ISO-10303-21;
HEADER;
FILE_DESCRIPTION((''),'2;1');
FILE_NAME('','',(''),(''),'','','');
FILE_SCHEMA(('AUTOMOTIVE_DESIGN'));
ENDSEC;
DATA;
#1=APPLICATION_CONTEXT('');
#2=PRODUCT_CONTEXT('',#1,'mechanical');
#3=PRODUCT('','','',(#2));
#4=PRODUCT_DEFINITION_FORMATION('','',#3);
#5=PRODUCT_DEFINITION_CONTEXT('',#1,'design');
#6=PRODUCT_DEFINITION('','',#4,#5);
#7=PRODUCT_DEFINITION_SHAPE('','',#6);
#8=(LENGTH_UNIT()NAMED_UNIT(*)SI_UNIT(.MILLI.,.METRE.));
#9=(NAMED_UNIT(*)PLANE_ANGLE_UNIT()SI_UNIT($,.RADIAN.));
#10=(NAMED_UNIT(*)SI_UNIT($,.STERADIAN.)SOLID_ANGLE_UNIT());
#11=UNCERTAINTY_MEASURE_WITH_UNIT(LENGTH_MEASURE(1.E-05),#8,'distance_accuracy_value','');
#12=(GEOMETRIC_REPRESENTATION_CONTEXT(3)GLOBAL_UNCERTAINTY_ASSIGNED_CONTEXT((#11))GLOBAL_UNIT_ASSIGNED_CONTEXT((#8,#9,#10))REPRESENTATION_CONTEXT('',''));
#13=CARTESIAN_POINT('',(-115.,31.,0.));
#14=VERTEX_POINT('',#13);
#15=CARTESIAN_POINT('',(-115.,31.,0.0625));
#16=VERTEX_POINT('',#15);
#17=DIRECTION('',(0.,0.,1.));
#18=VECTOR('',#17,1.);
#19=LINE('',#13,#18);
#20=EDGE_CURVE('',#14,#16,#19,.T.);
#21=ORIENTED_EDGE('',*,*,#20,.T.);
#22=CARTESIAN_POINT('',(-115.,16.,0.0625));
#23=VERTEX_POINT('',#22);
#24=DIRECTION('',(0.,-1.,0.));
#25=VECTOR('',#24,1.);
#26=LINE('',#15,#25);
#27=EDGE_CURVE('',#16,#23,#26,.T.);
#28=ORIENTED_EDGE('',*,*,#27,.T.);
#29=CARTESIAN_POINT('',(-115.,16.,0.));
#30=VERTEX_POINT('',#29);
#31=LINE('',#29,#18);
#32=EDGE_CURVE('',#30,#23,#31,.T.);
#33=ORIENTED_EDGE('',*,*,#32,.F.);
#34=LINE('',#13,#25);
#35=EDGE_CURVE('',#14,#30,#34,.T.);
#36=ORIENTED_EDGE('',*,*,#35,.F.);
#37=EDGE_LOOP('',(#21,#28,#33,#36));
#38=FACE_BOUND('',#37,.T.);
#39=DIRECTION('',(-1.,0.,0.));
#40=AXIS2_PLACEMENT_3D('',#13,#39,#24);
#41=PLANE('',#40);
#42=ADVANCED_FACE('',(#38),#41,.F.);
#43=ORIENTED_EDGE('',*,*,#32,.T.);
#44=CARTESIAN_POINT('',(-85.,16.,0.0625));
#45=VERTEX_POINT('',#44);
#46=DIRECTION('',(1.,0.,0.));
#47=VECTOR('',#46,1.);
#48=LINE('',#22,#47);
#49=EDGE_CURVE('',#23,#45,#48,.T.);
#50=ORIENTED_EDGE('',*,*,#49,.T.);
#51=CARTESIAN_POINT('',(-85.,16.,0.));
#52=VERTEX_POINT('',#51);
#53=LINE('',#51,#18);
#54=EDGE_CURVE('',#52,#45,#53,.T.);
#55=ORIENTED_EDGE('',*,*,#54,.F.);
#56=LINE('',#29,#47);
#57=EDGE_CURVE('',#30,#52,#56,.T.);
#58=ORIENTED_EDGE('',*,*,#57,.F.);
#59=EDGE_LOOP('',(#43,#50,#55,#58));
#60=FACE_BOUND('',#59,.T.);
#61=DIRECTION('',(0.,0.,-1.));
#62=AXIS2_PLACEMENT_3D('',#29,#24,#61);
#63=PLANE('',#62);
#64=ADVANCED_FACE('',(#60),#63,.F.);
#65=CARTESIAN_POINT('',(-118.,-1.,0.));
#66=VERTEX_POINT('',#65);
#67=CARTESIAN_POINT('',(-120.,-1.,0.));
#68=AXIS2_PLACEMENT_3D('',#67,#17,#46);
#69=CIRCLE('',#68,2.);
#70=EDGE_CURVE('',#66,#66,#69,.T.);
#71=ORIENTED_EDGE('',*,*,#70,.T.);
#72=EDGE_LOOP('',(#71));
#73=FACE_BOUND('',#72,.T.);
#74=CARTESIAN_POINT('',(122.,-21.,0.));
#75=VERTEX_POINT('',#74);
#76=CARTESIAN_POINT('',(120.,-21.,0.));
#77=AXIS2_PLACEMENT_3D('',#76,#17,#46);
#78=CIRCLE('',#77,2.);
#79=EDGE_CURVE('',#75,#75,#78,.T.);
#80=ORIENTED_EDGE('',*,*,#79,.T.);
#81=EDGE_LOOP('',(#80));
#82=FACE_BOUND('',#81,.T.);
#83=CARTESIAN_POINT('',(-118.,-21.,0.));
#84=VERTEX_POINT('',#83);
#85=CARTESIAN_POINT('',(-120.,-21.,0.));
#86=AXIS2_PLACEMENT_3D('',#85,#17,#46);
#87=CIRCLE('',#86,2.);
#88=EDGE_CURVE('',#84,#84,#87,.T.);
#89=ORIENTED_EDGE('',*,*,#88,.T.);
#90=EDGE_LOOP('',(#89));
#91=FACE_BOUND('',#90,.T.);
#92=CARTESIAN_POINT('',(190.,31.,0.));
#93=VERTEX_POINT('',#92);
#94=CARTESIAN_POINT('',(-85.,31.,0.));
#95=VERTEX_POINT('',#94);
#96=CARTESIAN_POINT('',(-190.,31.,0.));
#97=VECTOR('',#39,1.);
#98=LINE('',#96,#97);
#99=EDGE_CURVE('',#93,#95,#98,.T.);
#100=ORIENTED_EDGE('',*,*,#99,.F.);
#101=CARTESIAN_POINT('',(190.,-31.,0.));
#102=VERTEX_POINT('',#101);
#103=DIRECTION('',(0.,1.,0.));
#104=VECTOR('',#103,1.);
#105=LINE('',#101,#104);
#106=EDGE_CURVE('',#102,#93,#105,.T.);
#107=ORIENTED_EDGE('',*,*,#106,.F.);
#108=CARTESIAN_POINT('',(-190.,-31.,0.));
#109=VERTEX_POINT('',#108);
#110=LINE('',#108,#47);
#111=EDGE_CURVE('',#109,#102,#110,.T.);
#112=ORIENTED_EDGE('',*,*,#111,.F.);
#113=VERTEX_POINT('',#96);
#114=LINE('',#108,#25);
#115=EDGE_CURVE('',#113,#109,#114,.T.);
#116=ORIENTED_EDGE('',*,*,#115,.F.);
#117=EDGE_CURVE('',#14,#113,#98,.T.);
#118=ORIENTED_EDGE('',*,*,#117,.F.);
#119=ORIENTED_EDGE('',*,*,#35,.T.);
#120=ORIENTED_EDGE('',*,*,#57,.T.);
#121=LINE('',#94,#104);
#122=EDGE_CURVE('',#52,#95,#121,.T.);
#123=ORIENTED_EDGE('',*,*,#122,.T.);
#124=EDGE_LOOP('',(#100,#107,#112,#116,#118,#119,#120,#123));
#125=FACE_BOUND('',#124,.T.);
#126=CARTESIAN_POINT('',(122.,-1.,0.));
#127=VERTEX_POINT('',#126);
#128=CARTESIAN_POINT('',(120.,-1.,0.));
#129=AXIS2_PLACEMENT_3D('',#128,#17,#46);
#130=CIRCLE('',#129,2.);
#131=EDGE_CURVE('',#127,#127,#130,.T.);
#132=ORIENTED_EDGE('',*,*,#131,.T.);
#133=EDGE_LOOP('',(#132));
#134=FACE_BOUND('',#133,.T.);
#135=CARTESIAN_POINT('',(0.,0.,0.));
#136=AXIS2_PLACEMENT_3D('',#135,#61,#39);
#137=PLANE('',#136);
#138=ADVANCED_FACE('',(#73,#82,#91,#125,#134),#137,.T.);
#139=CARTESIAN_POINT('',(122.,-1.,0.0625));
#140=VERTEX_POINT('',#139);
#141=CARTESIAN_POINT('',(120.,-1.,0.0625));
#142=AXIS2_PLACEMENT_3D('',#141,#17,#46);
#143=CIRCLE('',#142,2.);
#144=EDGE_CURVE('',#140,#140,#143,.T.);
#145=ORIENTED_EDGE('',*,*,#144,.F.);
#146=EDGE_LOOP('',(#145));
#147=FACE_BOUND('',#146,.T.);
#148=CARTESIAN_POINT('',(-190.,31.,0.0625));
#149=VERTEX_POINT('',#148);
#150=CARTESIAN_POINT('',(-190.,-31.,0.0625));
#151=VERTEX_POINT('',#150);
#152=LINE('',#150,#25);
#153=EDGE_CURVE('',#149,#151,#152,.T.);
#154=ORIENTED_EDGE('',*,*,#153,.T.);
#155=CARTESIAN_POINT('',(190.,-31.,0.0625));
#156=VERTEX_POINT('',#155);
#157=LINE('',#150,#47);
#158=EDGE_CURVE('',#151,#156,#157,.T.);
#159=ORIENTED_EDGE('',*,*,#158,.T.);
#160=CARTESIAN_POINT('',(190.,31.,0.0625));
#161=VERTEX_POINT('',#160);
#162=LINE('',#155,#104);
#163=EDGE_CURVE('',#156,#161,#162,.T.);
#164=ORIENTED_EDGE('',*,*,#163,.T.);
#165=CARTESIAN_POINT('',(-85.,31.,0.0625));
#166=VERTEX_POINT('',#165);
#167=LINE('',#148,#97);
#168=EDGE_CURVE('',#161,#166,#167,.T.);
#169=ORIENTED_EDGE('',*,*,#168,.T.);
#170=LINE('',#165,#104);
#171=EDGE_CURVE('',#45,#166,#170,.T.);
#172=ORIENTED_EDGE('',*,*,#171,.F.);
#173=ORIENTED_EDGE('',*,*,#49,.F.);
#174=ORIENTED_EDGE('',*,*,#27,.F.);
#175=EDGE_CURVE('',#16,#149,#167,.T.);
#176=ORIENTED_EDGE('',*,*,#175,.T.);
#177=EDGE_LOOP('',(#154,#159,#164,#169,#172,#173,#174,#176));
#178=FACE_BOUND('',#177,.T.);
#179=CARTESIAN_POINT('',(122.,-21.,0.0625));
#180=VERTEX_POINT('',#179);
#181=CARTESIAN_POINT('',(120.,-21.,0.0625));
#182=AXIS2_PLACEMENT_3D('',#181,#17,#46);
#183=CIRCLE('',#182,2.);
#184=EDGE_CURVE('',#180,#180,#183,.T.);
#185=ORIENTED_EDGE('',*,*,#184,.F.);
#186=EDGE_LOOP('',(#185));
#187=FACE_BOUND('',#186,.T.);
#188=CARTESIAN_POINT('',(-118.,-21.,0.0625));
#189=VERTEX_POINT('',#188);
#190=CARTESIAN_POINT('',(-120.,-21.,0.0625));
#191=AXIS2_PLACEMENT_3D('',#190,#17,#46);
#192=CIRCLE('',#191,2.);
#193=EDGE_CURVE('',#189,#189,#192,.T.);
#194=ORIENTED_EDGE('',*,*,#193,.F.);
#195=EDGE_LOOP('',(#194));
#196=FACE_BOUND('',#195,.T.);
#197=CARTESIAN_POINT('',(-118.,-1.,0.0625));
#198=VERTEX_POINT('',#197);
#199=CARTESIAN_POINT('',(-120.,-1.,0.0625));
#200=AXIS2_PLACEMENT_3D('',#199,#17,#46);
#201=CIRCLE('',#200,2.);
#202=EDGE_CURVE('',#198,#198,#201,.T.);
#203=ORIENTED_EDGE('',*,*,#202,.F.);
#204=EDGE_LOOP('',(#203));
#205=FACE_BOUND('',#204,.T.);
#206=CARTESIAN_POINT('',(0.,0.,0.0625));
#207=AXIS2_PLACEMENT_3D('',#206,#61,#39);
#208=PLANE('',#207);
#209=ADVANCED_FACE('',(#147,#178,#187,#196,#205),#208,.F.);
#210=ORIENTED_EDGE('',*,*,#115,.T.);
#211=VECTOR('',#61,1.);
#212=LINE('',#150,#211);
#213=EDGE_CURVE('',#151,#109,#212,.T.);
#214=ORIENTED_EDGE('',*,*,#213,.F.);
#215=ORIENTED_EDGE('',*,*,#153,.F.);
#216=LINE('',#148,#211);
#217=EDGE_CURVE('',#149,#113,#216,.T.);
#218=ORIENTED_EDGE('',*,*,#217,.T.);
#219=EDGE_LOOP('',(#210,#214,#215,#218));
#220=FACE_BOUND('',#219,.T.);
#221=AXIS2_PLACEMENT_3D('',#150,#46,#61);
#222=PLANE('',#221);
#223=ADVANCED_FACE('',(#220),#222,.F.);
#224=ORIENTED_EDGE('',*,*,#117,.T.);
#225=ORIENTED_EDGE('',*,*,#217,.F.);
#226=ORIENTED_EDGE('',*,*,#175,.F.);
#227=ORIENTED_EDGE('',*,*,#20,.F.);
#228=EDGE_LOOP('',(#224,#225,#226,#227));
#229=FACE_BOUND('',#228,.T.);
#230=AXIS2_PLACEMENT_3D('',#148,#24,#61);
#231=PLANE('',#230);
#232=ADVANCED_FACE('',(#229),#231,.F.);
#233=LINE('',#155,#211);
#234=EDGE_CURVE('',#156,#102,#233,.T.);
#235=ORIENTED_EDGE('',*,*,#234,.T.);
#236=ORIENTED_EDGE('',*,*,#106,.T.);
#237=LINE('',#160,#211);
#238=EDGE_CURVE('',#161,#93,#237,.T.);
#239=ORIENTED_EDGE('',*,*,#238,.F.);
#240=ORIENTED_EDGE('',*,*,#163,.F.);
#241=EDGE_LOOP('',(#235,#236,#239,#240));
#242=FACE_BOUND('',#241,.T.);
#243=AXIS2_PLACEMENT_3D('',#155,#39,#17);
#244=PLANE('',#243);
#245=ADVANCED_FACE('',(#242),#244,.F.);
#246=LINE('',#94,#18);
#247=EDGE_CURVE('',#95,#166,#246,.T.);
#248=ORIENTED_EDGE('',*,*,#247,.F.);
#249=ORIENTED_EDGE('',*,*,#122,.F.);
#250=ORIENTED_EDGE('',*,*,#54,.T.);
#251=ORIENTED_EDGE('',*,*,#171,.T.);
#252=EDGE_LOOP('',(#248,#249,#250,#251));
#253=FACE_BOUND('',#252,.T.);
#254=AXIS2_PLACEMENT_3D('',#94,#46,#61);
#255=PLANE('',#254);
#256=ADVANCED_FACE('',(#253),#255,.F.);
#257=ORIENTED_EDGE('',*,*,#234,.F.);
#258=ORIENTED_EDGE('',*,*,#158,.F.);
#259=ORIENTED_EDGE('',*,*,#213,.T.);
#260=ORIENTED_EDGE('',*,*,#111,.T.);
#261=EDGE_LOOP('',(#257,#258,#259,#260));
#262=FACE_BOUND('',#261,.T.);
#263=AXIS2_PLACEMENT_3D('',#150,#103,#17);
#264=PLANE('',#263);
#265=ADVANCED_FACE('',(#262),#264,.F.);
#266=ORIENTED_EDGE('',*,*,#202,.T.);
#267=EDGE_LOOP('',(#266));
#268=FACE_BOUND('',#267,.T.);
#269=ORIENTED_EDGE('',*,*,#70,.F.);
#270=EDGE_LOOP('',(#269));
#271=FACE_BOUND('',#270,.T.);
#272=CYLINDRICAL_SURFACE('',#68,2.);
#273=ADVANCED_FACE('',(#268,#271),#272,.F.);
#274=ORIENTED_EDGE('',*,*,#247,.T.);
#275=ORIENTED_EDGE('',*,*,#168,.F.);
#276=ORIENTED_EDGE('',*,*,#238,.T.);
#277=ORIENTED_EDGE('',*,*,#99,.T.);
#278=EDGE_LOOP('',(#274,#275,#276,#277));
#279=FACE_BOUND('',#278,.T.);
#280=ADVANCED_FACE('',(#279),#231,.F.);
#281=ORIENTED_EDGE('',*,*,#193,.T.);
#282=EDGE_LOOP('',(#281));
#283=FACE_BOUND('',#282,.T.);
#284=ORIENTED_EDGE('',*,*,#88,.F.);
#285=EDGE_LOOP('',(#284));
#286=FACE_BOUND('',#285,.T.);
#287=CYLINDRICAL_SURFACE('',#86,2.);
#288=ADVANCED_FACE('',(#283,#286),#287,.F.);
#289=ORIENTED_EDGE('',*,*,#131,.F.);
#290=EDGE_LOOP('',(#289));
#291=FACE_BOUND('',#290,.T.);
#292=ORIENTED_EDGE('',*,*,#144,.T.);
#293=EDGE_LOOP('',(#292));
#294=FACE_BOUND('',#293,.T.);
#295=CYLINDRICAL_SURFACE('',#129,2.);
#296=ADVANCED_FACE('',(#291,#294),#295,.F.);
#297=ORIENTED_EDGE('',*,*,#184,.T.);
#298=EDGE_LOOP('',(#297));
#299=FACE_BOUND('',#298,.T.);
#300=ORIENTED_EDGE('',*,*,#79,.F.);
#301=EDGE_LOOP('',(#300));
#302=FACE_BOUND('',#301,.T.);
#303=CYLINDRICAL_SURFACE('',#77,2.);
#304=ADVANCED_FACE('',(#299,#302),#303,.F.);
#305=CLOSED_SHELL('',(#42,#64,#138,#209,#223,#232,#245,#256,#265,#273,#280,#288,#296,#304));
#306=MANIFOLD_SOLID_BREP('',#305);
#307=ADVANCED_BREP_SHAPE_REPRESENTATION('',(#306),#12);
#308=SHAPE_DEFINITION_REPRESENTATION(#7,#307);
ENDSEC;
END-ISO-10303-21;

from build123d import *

# Parameters (mm, degrees)
SKETCH1_W             = 380
SKETCH1_H             = 62
BODY_DEPTH            = 0.0625
SKETCH2_R             = 2
MAGNETIC_HOLDER_DEPTH = 0.0625
SKETCH3_W             = 30
SKETCH3_H             = 15
CUT_EXTRUDE2_DEPTH    = 0.0625


with BuildPart() as part:
    # Sketch1 → Body (new body)
    with BuildSketch(Plane.XY):
        Rectangle(SKETCH1_W, SKETCH1_H)
    extrude(amount=BODY_DEPTH)

    # Sketch2 → Magnetic Holder (cut)
    with BuildSketch(Plane.XY.offset(0.0625)):
        with Locations((-120, -1)):
            Circle(SKETCH2_R)
        with Locations((120, -1)):
            Circle(SKETCH2_R)
        with Locations((120, -21)):
            Circle(SKETCH2_R)
        with Locations((-120, -21)):
            Circle(SKETCH2_R)
    extrude(amount=-MAGNETIC_HOLDER_DEPTH, mode=Mode.SUBTRACT)

    # Sketch3 → Cut-Extrude2 (cut)
    with BuildSketch(Plane.XY.offset(0.0625)):
        with Locations((-100, 23.5)):
            Rectangle(SKETCH3_W, SKETCH3_H)
    extrude(amount=-CUT_EXTRUDE2_DEPTH, mode=Mode.SUBTRACT)


solid = part.part
